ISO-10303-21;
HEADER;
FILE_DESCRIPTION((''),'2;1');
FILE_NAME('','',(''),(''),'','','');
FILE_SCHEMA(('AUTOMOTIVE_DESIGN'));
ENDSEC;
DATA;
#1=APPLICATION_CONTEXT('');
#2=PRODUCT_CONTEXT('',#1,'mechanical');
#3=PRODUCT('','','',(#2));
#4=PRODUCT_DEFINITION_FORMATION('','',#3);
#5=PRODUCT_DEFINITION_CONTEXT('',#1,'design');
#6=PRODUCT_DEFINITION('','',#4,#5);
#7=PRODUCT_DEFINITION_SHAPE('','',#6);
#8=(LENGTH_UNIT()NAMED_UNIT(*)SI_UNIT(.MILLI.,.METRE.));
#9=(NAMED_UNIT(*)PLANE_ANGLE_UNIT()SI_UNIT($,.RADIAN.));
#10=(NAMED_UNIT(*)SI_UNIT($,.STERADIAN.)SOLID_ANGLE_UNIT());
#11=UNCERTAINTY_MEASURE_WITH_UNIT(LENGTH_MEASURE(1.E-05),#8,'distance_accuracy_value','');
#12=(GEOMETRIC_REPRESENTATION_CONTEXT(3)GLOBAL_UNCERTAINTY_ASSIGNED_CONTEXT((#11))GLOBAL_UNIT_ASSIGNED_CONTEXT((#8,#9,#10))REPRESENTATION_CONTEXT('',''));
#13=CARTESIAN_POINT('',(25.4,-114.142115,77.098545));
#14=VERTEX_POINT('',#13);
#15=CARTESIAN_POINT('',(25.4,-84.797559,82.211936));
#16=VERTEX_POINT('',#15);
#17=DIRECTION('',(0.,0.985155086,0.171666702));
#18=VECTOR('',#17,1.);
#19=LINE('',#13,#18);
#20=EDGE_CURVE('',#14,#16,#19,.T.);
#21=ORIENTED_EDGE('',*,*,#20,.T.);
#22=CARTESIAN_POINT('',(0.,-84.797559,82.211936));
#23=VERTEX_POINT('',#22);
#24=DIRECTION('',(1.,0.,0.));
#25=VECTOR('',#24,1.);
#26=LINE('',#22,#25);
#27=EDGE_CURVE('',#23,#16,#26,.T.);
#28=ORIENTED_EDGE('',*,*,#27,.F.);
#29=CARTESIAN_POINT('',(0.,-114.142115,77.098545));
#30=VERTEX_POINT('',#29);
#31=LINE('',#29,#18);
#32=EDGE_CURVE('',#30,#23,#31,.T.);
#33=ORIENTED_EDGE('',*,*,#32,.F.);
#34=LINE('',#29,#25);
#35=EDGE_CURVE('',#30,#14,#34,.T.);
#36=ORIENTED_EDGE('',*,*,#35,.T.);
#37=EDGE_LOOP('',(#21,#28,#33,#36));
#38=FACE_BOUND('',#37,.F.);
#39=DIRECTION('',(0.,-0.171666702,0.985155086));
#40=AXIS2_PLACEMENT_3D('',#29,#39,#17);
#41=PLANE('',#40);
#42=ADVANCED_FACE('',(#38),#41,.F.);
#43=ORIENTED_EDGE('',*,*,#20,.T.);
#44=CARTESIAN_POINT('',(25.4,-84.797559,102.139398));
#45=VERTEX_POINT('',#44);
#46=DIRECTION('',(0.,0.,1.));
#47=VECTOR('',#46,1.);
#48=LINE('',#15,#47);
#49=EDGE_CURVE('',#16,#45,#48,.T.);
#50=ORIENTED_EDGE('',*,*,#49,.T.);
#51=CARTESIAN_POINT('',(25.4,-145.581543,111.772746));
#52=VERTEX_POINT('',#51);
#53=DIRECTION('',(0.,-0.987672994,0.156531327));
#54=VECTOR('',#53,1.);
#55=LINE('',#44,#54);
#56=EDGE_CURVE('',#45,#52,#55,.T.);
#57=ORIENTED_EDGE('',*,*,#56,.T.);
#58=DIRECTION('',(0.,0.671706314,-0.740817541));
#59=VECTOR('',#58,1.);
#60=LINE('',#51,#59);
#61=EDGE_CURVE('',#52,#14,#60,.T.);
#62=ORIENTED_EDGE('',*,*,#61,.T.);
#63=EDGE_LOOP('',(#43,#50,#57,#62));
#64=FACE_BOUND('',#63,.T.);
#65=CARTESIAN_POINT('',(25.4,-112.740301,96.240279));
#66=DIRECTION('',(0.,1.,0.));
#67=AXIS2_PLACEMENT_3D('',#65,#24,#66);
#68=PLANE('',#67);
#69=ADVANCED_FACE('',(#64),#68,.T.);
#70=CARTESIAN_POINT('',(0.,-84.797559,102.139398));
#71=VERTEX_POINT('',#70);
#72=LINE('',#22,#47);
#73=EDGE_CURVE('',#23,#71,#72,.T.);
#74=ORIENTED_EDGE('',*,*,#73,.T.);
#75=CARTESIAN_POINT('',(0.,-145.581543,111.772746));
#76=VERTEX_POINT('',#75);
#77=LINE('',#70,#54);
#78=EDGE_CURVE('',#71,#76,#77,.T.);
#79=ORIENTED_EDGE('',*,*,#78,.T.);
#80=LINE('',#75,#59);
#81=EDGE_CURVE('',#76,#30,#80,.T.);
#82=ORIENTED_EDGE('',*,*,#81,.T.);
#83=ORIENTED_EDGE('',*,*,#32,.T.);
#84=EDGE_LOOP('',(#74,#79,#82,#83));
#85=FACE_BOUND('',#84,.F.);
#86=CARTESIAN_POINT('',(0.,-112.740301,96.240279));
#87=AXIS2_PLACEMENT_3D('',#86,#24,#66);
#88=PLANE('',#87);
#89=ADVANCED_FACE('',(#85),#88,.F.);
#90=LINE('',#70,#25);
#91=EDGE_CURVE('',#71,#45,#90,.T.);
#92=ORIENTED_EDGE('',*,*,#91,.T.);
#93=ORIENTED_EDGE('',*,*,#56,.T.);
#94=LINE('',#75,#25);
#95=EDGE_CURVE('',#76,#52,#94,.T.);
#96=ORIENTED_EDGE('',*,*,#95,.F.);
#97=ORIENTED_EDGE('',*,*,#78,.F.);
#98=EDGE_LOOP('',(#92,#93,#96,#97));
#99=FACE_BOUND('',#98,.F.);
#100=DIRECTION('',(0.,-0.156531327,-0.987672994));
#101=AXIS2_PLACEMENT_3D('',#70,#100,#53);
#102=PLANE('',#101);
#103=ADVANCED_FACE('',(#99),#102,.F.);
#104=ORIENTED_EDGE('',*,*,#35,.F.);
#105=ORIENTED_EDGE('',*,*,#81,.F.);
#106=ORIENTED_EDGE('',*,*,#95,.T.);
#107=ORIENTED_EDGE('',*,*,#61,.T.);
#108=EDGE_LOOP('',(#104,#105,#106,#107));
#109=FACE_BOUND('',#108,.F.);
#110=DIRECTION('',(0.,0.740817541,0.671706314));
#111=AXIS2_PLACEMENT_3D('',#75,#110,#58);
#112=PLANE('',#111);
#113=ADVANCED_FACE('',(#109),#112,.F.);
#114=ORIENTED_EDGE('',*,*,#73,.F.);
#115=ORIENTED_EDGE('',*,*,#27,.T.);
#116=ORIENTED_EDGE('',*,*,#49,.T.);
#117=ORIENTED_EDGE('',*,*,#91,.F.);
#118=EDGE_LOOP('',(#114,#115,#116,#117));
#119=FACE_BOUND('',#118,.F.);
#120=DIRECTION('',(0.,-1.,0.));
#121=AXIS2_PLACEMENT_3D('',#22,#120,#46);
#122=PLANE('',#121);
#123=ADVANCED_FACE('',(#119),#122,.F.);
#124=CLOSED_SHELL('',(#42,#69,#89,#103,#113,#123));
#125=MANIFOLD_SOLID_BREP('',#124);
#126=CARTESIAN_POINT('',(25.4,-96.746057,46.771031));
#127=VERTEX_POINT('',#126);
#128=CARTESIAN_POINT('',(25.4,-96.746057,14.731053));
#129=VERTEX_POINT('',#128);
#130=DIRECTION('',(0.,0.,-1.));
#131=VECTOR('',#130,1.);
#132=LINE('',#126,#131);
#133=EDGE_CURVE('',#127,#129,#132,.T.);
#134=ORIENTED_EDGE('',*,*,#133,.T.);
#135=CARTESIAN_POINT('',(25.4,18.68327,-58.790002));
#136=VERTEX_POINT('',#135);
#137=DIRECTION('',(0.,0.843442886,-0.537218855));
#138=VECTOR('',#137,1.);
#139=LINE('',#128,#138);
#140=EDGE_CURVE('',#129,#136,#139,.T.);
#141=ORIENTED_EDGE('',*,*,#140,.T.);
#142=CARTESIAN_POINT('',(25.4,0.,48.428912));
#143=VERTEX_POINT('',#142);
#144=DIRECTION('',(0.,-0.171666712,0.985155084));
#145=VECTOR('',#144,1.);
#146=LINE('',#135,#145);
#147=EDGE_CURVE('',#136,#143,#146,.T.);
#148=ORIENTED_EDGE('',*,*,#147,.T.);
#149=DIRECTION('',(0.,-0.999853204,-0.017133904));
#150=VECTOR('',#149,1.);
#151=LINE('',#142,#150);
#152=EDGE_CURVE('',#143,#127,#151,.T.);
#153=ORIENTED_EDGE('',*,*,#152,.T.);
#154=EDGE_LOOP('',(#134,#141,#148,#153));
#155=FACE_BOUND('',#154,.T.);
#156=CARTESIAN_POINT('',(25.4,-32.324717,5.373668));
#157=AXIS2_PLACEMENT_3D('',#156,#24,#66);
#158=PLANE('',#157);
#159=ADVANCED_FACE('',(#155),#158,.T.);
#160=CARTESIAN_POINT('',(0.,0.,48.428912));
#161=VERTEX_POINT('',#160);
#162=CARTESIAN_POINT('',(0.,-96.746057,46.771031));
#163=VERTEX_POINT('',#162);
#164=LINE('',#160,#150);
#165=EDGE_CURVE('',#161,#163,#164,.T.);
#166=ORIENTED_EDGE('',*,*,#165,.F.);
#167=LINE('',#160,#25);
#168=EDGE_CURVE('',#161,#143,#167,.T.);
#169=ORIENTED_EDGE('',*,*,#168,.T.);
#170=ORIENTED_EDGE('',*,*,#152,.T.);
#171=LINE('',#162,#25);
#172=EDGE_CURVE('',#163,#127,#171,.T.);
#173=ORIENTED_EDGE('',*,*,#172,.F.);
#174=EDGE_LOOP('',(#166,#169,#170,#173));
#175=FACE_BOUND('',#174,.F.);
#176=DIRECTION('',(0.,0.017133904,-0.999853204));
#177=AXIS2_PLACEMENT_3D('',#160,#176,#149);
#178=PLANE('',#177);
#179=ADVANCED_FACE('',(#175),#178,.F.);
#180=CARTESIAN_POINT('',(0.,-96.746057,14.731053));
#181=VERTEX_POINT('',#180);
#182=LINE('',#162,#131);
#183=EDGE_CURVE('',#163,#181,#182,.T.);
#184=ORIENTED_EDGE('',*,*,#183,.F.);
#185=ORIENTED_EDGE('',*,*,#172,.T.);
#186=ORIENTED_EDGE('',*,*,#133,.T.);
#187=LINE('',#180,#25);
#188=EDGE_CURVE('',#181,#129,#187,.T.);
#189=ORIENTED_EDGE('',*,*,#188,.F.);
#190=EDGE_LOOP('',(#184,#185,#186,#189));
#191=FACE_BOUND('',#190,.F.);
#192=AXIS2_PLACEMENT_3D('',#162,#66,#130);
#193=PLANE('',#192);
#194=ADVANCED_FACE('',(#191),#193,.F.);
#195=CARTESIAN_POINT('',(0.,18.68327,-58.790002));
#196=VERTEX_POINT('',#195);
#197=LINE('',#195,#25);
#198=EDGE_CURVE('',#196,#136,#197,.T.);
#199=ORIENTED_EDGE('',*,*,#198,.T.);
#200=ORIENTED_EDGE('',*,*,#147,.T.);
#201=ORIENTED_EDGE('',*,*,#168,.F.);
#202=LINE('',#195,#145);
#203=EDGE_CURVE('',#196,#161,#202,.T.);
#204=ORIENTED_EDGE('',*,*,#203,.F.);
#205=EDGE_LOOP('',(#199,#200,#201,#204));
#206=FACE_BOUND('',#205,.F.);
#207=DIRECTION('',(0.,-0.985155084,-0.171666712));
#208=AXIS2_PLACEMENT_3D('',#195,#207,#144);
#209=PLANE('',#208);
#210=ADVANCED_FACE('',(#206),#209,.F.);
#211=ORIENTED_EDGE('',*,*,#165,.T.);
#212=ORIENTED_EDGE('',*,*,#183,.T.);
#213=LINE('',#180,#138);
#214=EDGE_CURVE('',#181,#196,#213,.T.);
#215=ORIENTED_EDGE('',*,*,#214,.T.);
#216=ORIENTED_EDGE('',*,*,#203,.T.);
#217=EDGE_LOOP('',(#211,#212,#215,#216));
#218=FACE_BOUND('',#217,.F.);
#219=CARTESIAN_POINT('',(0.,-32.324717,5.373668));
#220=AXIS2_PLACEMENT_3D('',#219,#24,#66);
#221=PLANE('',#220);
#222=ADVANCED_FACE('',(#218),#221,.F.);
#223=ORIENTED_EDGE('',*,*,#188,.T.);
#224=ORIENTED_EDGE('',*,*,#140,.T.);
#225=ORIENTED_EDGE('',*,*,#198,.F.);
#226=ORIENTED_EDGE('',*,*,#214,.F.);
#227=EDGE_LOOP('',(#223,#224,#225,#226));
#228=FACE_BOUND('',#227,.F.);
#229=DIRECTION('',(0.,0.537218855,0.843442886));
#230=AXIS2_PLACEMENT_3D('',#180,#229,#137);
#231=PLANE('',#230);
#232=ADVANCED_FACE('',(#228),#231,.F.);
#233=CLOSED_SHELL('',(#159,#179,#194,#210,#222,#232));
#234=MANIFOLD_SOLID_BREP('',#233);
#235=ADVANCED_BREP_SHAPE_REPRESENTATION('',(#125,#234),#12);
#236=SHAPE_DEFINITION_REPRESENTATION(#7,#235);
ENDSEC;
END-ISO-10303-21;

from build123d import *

# Parameters (mm, degrees)
F1_DEPTH = 25.4


with BuildPart() as f1:
    # F0 (on Right) → F1 (new body)
    with BuildSketch(Plane.YZ):
        Polygon((0, 48.428912), (-96.746057, 46.771031), (-96.746057, 14.731053), (18.68327, -58.790002), align=None)
        Polygon((-114.142115, 77.098545), (-84.797559, 82.211936), (-84.797559, 102.139398), (-145.581543, 111.772746), align=None)
    extrude(amount=F1_DEPTH)


solid = f1.part
